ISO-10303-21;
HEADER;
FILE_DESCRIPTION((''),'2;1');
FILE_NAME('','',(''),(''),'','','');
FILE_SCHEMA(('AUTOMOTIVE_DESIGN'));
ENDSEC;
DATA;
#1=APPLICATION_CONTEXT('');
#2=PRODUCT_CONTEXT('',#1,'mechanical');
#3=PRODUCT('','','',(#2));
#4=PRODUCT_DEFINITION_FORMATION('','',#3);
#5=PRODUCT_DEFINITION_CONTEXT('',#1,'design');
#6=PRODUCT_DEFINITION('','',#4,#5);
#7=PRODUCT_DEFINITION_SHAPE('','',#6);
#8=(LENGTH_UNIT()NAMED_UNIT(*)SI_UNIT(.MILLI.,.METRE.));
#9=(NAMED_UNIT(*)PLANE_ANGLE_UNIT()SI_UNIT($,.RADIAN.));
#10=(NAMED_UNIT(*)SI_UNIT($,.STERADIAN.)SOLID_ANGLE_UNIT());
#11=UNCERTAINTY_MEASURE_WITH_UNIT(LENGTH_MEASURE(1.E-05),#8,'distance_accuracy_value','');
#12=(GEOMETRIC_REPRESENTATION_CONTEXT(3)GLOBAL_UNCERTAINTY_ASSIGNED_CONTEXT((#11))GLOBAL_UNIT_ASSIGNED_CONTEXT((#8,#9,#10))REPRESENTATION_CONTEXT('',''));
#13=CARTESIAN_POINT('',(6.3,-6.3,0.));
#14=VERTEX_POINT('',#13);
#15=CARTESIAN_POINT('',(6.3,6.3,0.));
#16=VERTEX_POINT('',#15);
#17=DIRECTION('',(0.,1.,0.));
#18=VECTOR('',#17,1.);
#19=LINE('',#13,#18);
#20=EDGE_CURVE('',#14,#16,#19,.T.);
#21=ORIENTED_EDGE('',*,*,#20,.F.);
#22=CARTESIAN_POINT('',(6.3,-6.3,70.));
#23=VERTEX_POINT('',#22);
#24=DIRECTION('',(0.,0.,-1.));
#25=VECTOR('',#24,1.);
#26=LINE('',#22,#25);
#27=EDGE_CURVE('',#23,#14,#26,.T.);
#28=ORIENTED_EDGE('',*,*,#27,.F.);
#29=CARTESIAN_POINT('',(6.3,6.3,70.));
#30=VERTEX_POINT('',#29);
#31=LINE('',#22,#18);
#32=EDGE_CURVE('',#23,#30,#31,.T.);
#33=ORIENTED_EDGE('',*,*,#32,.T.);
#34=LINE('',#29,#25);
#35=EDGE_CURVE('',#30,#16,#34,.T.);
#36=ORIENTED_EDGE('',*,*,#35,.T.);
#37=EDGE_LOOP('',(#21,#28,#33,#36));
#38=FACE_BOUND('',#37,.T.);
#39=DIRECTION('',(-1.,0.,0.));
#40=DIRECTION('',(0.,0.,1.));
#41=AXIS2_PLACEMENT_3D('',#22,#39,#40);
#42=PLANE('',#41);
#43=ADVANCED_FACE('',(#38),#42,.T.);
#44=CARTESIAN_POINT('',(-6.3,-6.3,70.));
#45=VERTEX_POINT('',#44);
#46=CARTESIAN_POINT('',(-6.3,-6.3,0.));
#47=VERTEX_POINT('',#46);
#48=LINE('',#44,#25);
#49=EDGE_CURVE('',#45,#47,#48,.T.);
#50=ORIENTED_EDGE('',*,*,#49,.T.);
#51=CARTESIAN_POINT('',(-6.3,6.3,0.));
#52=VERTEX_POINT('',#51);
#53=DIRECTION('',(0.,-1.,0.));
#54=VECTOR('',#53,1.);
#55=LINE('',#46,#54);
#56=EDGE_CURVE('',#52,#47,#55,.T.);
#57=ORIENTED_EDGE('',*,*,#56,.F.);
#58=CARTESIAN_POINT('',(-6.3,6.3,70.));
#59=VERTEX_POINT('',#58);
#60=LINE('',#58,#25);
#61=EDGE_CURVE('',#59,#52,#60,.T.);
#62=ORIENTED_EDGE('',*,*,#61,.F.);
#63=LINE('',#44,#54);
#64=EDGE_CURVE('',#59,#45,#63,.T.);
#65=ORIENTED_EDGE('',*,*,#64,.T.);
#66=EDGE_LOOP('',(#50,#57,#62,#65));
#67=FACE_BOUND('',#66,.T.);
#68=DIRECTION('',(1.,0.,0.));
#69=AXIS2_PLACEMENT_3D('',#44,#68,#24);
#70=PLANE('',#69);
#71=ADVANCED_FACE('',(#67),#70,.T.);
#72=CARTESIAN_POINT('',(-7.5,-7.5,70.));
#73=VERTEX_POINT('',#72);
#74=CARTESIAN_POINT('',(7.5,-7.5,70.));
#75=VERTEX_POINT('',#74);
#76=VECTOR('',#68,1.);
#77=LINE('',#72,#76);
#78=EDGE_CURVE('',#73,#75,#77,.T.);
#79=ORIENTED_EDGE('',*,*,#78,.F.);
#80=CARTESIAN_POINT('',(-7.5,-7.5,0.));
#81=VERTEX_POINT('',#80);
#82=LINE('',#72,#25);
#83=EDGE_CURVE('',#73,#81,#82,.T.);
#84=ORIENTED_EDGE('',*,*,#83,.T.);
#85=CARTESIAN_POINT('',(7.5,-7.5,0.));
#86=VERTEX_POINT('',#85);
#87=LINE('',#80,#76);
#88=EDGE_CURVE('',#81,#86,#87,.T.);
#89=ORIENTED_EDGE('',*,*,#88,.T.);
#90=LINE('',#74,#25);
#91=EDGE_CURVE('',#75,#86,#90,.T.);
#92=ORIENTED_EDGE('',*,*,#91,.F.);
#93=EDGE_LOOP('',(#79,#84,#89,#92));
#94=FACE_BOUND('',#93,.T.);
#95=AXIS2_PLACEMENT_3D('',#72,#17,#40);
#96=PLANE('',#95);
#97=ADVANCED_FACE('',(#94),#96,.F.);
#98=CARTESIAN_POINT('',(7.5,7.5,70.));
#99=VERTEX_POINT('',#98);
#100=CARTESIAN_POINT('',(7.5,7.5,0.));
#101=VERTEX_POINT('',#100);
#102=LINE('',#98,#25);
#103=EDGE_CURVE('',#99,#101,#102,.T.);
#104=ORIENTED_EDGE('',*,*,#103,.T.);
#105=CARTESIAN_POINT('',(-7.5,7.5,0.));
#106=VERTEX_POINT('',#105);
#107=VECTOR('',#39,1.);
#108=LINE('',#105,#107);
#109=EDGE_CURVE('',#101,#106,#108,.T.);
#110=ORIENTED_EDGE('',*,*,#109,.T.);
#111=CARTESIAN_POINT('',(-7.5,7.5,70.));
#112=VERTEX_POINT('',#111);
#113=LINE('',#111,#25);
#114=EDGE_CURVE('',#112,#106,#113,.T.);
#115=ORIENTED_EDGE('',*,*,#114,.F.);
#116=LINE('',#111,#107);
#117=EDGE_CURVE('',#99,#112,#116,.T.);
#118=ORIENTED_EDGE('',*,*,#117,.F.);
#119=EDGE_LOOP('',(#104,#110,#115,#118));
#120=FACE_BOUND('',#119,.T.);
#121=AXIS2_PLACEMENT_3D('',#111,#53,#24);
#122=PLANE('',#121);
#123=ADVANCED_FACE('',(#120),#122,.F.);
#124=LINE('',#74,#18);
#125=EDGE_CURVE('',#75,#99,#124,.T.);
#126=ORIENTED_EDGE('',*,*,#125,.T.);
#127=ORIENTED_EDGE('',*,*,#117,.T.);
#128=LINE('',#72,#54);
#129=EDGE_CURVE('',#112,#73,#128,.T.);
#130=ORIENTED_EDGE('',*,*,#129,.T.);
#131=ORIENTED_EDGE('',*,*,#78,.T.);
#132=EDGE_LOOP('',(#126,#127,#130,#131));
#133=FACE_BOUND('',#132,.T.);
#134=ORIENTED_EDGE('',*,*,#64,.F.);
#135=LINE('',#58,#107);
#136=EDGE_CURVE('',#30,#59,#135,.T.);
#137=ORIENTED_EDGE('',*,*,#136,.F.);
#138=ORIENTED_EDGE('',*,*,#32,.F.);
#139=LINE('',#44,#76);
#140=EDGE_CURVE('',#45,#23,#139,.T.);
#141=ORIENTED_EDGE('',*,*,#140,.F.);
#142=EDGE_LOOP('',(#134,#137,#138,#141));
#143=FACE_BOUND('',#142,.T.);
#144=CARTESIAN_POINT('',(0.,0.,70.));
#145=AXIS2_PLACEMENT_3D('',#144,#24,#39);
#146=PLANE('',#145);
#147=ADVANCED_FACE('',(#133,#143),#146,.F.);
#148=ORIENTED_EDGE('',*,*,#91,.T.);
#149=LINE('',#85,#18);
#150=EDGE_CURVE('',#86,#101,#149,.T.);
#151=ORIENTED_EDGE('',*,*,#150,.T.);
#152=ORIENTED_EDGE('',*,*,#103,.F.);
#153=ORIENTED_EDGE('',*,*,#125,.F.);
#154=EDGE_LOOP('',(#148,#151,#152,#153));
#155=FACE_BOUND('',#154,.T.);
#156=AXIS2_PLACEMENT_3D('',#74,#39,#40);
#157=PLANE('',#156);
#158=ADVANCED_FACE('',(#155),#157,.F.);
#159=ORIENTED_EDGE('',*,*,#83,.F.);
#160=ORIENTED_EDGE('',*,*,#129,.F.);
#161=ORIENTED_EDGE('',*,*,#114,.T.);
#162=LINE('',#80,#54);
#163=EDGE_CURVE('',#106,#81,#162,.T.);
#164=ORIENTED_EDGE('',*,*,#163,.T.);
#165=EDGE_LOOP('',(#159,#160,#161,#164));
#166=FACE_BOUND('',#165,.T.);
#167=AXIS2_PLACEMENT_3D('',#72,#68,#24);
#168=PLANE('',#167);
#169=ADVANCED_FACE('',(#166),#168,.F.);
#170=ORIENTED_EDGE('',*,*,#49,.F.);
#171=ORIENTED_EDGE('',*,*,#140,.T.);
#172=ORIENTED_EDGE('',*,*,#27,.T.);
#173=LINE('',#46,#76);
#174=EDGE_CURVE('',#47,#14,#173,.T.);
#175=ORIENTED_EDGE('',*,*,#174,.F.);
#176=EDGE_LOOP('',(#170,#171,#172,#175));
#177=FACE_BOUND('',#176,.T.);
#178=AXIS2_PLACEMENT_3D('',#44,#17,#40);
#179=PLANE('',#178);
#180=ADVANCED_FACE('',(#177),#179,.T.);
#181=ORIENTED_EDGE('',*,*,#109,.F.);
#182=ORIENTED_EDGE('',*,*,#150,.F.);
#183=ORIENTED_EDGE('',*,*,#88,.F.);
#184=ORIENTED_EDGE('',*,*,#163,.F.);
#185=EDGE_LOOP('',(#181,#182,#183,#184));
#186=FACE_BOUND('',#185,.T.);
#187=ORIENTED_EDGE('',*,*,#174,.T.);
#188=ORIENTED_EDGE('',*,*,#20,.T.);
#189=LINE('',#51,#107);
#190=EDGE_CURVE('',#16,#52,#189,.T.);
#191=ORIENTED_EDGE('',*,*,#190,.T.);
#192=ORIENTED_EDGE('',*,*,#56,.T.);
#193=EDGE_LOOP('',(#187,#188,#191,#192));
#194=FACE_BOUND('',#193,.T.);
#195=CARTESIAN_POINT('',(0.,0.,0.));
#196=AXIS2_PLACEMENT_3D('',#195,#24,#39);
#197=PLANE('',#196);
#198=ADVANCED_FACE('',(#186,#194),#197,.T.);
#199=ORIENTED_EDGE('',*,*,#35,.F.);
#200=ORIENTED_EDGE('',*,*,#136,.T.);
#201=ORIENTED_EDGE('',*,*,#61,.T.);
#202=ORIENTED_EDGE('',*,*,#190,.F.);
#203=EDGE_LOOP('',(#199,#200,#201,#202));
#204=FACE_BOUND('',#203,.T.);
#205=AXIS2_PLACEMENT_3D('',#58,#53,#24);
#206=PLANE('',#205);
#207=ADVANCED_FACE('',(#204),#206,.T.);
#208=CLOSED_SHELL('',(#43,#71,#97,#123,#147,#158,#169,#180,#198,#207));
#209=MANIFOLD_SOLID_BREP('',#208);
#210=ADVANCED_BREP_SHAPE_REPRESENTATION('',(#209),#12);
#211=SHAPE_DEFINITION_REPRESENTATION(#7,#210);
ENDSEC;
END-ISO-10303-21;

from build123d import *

# Parameters (mm, degrees)
SKETCH_1_W      = 15
SKETCH_1_H      = 15
SKETCH_1_W_2    = 12.6
SKETCH_1_H_2    = 12.6
EXTRUDE_1_DEPTH = 70


with BuildPart() as part:
    # 草图1 → 凸台-拉伸1 (new body)
    with BuildSketch(Plane.XY):
        Rectangle(SKETCH_1_W, SKETCH_1_H)
        Rectangle(SKETCH_1_W_2, SKETCH_1_H_2, mode=Mode.SUBTRACT)
    extrude(amount=EXTRUDE_1_DEPTH)


solid = part.part
